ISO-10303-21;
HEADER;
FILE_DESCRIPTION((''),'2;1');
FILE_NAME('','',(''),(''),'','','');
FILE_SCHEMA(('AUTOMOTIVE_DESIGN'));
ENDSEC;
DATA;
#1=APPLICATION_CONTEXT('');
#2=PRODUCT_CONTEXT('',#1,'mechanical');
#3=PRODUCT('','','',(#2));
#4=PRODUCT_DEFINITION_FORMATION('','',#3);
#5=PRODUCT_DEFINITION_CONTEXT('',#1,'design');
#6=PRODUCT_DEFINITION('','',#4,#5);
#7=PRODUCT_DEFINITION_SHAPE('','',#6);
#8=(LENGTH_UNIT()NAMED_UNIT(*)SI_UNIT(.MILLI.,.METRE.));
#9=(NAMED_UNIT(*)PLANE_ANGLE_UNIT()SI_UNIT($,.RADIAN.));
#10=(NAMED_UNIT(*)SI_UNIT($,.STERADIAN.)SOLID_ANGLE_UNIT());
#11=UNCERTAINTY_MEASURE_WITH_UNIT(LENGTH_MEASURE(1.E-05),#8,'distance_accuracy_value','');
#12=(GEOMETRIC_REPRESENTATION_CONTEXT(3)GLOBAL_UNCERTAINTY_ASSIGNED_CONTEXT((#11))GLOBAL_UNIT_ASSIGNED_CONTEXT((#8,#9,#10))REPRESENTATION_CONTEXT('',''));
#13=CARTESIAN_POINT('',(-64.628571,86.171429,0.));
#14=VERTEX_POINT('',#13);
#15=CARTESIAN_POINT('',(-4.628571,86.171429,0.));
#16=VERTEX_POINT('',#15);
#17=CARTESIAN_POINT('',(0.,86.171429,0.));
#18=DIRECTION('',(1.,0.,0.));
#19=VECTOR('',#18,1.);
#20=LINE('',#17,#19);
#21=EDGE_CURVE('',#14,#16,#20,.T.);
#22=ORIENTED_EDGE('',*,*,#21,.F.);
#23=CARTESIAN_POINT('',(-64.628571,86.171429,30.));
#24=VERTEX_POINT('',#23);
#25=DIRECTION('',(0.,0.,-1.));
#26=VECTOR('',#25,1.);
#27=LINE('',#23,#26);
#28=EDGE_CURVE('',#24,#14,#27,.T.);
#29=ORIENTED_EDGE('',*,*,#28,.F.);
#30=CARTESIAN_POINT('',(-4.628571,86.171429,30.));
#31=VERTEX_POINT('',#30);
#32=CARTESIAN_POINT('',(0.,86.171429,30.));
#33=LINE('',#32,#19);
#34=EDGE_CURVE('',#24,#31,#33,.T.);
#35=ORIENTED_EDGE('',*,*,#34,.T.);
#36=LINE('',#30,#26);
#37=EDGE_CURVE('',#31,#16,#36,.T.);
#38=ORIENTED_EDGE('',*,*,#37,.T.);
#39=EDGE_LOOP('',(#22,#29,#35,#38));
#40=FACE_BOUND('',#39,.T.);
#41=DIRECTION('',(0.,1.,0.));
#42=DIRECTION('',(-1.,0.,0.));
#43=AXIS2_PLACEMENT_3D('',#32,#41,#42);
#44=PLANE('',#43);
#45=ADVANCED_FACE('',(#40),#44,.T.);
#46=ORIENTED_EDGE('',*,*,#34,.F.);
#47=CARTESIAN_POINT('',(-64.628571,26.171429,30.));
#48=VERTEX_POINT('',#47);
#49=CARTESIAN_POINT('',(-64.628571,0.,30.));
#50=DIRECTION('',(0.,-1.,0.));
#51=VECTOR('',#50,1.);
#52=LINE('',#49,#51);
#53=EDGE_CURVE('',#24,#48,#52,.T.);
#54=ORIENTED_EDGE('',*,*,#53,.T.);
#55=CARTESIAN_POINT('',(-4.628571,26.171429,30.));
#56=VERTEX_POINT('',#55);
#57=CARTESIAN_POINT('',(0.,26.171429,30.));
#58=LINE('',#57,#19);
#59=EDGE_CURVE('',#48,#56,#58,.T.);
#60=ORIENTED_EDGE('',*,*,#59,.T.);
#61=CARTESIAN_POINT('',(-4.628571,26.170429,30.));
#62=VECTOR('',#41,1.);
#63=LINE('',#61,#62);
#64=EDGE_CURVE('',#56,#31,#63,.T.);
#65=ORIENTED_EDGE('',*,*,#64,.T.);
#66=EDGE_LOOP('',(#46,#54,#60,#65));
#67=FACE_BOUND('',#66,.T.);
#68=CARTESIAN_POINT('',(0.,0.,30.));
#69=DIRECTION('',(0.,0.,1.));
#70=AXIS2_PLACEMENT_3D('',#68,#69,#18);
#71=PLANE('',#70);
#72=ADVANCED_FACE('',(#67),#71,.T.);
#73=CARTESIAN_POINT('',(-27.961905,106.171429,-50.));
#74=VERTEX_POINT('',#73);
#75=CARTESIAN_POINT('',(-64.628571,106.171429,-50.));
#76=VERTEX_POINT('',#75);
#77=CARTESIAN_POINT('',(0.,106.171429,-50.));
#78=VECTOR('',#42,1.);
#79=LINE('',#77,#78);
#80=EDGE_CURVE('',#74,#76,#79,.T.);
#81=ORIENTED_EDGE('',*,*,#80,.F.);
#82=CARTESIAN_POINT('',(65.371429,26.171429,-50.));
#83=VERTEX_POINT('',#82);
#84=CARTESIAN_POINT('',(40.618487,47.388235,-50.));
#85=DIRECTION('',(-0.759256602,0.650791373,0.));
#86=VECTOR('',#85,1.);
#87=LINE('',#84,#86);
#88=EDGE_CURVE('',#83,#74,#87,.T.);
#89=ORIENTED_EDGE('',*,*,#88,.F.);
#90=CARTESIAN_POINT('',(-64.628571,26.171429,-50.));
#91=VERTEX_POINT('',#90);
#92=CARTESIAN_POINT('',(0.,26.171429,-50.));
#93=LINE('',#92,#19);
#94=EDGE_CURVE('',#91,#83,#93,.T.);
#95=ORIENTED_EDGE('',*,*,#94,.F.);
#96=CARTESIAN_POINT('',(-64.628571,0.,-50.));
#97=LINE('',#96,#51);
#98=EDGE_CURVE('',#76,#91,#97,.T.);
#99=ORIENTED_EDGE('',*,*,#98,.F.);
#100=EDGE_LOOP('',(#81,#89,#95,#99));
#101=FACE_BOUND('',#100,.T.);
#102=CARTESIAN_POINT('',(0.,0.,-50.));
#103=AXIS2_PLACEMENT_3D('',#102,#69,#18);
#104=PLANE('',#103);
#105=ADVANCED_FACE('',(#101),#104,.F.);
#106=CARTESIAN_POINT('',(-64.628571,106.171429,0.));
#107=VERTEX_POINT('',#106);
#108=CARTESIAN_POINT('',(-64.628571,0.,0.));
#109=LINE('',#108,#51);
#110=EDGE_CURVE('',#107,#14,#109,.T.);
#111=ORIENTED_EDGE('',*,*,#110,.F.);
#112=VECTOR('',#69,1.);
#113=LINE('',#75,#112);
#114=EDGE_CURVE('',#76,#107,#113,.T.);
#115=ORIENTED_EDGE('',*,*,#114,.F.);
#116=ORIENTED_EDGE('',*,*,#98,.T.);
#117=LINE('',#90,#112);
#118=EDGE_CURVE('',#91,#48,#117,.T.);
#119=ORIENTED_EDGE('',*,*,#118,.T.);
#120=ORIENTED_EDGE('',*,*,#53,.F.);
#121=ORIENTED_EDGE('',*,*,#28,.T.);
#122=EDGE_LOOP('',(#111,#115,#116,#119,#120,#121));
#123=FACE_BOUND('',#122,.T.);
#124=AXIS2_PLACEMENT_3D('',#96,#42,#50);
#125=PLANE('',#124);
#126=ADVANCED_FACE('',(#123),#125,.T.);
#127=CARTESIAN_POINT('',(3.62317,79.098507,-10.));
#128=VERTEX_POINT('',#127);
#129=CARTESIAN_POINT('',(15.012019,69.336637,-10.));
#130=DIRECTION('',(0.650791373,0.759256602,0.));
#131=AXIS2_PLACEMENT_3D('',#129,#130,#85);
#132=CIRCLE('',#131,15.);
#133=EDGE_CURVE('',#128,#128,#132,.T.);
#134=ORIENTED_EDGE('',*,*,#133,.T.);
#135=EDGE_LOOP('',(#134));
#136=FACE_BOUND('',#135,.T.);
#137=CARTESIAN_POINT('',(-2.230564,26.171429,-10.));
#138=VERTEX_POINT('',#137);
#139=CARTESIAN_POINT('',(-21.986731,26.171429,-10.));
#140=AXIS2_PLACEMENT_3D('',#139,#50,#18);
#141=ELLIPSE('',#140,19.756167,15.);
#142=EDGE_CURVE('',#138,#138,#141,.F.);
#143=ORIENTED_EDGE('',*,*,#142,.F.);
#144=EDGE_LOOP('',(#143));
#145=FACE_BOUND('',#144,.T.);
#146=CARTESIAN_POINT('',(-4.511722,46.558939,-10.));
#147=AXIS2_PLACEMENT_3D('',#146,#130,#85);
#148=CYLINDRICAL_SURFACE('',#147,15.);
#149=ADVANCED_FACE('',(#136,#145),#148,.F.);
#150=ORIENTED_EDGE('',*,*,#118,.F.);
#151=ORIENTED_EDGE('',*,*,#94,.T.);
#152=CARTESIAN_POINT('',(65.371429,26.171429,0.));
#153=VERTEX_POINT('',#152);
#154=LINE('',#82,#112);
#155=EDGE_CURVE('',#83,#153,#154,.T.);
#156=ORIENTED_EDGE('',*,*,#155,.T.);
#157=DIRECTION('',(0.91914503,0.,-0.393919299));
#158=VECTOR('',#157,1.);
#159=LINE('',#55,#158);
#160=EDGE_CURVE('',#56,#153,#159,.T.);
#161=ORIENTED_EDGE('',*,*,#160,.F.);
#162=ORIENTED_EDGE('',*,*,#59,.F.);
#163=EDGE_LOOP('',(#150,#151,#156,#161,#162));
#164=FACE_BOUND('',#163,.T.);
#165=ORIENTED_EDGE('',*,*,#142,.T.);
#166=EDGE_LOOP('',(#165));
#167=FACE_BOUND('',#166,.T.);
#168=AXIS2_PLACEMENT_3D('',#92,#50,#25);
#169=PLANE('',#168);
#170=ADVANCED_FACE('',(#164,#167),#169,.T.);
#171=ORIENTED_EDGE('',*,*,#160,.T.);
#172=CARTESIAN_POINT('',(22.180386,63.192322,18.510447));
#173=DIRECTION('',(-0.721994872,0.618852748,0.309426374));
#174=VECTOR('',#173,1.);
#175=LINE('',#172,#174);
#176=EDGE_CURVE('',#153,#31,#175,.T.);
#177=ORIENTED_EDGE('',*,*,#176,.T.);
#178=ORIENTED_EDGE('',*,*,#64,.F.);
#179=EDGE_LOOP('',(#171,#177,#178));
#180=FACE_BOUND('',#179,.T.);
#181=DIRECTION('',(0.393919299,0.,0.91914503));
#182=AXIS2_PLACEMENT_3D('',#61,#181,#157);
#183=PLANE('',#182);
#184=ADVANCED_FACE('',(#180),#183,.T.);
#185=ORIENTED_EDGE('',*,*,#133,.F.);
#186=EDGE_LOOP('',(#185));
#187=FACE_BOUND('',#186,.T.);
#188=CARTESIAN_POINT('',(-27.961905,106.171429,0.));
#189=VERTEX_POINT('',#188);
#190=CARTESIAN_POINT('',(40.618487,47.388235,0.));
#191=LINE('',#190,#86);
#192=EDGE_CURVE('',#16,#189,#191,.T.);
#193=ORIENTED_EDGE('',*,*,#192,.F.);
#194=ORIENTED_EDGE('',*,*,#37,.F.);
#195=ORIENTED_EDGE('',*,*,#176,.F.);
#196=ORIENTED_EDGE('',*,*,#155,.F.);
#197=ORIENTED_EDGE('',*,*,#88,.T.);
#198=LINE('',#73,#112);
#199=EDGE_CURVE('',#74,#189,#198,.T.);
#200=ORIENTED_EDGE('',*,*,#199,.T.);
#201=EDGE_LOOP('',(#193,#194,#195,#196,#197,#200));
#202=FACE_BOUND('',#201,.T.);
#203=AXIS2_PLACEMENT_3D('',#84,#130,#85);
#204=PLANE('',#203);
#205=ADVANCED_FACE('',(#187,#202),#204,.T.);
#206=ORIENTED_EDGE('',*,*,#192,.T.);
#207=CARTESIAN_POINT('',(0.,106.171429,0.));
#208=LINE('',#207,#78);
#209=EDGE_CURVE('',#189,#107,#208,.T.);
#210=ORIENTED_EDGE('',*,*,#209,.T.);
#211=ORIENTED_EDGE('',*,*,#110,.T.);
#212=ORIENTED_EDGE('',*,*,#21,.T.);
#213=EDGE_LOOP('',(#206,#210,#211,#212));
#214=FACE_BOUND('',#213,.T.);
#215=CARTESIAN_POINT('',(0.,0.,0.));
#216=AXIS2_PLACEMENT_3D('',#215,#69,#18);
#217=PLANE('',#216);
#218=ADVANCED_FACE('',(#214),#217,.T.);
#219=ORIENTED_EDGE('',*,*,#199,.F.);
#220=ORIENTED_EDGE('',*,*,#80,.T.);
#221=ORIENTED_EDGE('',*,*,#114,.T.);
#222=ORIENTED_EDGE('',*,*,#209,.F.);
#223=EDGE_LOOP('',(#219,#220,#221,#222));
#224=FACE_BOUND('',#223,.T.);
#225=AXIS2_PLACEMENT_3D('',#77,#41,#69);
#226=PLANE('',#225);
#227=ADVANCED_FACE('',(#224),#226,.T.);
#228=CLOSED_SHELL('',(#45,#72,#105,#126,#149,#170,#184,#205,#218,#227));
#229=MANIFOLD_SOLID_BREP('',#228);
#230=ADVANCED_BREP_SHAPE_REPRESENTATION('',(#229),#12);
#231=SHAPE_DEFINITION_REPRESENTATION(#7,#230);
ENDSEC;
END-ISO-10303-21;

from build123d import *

# Parameters (mm, degrees)
BOSS_EXTRUDE1_DEPTH = 50
BOSS_EXTRUDE2_DEPTH = 30
SKETCH3_R           = 15
CUT_EXTRUDE1_DEPTH  = 30
CUT_EXTRUDE3_REACH  = 103.85
CUT_EXTRUDE4_REACH  = 132.508
SKETCH3_3_R         = 15


with BuildPart() as part:
    # Sketch1 → Boss-Extrude1 (new body)
    with BuildSketch(Plane.XY):
        Polygon((-27.961904762, 106.171428571), (-64.628571429, 106.171428571), (-64.628571429, 26.171428571), (65.371428571, 26.171428571), align=None)
    extrude(amount=-BOSS_EXTRUDE1_DEPTH)

    # Sketch1<4> → Boss-Extrude2 (add)
    with BuildSketch(Plane.XY):
        Polygon((-4.628571429, 86.171428571), (-64.628571429, 86.171428571), (-64.628571429, 26.171428571), (65.371428571, 26.171428571), align=None)
    extrude(amount=BOSS_EXTRUDE2_DEPTH)

    # Sketch3 → Cut-Extrude1 (cut)
    with BuildSketch(Plane(origin=(40.618487395, 47.388235294, 0), x_dir=(0.7592566023652969, -0.6507913734559682, 0), z_dir=(0.6507913734559682, 0.7592566023652969, 0))):
        with Locations((-33.725710627, 10)):
            Circle(SKETCH3_R)
    extrude(amount=-CUT_EXTRUDE1_DEPTH, mode=Mode.SUBTRACT)

    # Sketch4 → Cut-Extrude3 (cut, up to next)
    with BuildSketch(Plane(origin=(0, 86.171428571, 0), x_dir=(1, 0, 0), z_dir=(0, 1, 0)), mode=Mode.PRIVATE) as cut_extrude3_sk1:
        Polygon((65.371428571, -30), (-4.628571429, -30), (65.371428571, 0), align=None)
    cut_extrude3_tool1 = extrude(cut_extrude3_sk1.sketch, amount=-CUT_EXTRUDE3_REACH, mode=Mode.PRIVATE) & part.part
    add(cut_extrude3_tool1.solids().sort_by_distance((42.038095, 86.171429, 20))[0], mode=Mode.SUBTRACT)

    # Sketch3<3> → Cut-Extrude4 (cut, up to next)
    with BuildSketch(Plane(origin=(40.618487395, 47.388235294, 0), x_dir=(0.7592566023652969, -0.6507913734559682, 0), z_dir=(0.6507913734559682, 0.7592566023652969, 0)), mode=Mode.PRIVATE) as cut_extrude4_sk1:
        with Locations((-33.725710627, 10)):
            Circle(SKETCH3_3_R)
    cut_extrude4_tool1 = extrude(cut_extrude4_sk1.sketch, amount=-CUT_EXTRUDE4_REACH, mode=Mode.PRIVATE) & part.part
    add(cut_extrude4_tool1.solids().sort_by_distance((15.012019, 69.336637, -10))[0], mode=Mode.SUBTRACT)


solid = part.part
